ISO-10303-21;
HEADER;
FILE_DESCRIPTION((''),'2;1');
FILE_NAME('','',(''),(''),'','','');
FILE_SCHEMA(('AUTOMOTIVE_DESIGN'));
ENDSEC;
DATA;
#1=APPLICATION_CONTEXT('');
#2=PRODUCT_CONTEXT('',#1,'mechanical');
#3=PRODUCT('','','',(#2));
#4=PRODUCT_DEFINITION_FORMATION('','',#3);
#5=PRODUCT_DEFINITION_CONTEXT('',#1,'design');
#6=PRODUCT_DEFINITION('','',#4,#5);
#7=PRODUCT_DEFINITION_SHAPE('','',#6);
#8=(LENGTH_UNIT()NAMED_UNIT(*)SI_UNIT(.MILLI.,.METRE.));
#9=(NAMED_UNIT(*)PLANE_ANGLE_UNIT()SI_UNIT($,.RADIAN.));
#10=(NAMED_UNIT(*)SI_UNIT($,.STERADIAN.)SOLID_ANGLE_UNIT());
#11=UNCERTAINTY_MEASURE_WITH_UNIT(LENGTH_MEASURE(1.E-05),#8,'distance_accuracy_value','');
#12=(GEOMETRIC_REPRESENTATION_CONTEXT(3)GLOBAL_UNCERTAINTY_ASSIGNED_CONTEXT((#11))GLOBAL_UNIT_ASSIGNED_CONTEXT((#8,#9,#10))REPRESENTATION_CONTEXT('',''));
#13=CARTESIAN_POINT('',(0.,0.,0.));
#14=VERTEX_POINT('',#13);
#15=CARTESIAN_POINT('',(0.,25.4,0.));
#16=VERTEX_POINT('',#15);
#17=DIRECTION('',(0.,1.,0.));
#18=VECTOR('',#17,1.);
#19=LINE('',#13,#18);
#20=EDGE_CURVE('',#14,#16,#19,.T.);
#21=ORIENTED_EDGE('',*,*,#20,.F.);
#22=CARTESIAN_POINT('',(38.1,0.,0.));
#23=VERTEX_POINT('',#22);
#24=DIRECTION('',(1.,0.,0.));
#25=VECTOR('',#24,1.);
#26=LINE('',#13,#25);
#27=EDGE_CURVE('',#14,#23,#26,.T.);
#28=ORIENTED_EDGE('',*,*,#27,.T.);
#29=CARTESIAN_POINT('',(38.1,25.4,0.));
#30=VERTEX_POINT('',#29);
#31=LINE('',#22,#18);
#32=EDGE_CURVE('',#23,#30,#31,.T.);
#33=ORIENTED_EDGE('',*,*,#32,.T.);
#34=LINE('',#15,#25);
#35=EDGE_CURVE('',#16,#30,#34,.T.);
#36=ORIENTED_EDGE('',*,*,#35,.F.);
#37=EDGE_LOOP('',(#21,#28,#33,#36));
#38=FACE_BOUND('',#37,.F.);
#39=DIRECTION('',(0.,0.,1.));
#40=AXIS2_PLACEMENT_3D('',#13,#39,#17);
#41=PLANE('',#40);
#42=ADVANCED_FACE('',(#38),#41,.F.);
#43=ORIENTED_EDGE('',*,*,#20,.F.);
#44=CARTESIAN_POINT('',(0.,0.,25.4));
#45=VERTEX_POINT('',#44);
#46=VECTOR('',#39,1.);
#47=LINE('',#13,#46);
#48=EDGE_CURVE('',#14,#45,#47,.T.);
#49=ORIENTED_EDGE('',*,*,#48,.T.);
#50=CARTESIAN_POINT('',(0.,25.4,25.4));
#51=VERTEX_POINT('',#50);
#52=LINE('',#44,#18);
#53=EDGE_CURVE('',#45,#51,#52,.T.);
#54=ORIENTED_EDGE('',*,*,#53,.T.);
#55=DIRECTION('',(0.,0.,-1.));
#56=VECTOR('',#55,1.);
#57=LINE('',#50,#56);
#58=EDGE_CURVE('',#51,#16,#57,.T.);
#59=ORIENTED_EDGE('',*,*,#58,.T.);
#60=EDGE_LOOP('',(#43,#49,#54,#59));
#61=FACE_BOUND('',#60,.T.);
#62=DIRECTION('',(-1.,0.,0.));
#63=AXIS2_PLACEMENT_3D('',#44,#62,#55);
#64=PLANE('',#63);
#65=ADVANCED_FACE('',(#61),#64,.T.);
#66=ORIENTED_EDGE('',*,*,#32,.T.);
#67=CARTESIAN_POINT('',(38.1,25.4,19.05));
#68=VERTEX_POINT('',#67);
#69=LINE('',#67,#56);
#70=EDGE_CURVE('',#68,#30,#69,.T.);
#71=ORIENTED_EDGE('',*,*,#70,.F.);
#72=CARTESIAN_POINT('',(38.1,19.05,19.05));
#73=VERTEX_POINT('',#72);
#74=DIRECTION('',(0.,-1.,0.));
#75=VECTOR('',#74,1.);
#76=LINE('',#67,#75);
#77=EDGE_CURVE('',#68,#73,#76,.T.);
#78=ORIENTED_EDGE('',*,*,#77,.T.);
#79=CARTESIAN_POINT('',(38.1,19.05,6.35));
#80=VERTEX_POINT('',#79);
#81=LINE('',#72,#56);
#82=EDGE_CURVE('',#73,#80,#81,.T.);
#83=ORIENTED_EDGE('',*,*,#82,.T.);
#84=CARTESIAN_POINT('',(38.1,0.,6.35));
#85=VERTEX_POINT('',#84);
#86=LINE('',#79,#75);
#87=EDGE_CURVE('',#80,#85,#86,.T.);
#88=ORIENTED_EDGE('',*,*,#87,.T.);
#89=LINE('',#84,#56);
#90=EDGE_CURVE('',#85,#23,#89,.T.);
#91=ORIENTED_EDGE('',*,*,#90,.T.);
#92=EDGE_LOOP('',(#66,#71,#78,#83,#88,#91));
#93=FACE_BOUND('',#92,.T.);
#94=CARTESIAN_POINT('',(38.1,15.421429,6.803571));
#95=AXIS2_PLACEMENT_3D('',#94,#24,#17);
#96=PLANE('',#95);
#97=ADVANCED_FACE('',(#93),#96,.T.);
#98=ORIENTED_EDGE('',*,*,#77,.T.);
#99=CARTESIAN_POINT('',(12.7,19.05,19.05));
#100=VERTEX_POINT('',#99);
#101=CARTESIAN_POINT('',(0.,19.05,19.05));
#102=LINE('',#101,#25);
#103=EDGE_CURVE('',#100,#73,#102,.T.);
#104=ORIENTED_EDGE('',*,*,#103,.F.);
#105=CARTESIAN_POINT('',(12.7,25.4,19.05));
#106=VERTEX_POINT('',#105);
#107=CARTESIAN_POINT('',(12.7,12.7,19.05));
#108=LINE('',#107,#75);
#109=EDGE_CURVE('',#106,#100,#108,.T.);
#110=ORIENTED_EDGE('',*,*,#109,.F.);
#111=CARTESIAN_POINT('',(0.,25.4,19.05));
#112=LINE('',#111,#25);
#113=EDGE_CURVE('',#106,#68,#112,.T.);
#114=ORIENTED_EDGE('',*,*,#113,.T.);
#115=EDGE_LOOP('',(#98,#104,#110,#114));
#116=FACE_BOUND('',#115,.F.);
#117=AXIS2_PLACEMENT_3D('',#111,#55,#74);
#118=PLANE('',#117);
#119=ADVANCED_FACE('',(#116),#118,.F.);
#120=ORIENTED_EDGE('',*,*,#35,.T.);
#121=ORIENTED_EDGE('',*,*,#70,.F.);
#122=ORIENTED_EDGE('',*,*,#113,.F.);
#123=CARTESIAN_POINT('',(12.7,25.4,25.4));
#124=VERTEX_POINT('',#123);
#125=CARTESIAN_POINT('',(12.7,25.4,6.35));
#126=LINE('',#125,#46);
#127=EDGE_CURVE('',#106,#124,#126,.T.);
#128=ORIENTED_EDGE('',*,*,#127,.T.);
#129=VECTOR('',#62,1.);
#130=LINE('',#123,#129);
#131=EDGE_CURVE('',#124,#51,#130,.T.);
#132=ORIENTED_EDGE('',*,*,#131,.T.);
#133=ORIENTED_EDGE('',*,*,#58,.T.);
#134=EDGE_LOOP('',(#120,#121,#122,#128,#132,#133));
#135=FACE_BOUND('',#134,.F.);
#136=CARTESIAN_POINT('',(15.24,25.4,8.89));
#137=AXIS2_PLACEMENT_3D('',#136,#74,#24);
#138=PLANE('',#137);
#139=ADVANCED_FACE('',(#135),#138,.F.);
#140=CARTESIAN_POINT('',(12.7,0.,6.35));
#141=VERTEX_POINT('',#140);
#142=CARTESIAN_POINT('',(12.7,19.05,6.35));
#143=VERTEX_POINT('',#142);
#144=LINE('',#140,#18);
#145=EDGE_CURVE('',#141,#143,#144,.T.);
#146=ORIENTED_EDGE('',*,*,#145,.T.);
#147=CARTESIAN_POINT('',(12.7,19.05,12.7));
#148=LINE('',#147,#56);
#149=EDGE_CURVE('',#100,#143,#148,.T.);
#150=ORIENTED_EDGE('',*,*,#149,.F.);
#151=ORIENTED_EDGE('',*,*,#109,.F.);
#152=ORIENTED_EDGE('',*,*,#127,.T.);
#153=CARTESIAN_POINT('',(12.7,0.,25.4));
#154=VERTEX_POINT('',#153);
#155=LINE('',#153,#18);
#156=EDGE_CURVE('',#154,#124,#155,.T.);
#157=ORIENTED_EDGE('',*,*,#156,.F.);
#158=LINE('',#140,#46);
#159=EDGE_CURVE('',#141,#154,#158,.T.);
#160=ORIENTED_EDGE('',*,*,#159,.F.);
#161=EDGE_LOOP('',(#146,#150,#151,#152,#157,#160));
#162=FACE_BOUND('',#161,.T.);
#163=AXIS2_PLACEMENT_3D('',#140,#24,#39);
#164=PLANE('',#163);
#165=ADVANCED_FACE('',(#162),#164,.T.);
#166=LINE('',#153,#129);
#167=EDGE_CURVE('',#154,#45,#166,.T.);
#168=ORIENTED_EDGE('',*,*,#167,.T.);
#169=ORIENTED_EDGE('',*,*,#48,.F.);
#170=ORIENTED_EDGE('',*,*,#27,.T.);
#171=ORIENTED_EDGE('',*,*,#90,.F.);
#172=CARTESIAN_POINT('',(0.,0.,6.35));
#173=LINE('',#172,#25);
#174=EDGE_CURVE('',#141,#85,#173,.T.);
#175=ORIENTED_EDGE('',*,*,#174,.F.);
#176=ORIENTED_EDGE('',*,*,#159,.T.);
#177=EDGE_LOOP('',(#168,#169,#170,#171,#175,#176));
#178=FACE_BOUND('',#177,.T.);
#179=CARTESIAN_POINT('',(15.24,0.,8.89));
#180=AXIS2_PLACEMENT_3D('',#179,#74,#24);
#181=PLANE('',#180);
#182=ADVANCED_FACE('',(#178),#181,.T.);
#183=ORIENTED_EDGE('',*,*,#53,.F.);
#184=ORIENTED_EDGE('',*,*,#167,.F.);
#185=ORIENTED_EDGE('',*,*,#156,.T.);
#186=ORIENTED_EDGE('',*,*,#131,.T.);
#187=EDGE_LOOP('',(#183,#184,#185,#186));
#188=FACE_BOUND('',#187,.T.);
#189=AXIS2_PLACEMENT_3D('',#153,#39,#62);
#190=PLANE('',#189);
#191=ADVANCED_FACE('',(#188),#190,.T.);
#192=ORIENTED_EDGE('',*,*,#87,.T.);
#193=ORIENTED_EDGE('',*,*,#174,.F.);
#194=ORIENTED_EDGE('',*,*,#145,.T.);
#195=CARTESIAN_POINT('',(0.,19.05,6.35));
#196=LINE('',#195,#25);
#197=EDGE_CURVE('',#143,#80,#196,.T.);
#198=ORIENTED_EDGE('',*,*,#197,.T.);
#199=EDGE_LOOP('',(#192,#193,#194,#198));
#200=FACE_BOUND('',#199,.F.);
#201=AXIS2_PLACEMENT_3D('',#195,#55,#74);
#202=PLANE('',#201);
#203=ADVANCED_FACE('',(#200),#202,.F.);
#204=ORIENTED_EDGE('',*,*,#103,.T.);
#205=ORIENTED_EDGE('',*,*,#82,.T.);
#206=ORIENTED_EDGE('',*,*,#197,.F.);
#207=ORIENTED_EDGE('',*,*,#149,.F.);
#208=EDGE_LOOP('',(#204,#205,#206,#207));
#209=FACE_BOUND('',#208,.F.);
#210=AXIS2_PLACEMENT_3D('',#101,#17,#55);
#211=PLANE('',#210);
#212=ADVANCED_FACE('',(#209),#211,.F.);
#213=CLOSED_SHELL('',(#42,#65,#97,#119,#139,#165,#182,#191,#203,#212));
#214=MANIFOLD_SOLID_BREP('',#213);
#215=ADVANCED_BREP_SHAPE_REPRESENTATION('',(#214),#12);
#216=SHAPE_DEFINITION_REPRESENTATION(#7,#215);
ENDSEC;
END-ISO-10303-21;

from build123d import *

# Parameters (mm, degrees)
F2_DEPTH = 38.1
F3_DEPTH = 25.4


with BuildPart() as f2:
    # F0 (on Right) → F2 (new body)
    with BuildSketch(Plane.YZ):
        Polygon((0, 6.35), (0, 0), (25.4, 0), (25.4, 19.05), (19.05, 19.05), (19.05, 6.35), align=None)
    extrude(amount=F2_DEPTH)

    # F1 (on Front) → F3 (join)
    with BuildSketch(Plane.XZ):
        Polygon((0, 25.4), (0, 0), (38.1, 0), (38.1, 6.35), (12.7, 6.35), (12.7, 19.05), (12.7, 25.4), align=None)
    extrude(amount=-F3_DEPTH)


solid = f2.part
